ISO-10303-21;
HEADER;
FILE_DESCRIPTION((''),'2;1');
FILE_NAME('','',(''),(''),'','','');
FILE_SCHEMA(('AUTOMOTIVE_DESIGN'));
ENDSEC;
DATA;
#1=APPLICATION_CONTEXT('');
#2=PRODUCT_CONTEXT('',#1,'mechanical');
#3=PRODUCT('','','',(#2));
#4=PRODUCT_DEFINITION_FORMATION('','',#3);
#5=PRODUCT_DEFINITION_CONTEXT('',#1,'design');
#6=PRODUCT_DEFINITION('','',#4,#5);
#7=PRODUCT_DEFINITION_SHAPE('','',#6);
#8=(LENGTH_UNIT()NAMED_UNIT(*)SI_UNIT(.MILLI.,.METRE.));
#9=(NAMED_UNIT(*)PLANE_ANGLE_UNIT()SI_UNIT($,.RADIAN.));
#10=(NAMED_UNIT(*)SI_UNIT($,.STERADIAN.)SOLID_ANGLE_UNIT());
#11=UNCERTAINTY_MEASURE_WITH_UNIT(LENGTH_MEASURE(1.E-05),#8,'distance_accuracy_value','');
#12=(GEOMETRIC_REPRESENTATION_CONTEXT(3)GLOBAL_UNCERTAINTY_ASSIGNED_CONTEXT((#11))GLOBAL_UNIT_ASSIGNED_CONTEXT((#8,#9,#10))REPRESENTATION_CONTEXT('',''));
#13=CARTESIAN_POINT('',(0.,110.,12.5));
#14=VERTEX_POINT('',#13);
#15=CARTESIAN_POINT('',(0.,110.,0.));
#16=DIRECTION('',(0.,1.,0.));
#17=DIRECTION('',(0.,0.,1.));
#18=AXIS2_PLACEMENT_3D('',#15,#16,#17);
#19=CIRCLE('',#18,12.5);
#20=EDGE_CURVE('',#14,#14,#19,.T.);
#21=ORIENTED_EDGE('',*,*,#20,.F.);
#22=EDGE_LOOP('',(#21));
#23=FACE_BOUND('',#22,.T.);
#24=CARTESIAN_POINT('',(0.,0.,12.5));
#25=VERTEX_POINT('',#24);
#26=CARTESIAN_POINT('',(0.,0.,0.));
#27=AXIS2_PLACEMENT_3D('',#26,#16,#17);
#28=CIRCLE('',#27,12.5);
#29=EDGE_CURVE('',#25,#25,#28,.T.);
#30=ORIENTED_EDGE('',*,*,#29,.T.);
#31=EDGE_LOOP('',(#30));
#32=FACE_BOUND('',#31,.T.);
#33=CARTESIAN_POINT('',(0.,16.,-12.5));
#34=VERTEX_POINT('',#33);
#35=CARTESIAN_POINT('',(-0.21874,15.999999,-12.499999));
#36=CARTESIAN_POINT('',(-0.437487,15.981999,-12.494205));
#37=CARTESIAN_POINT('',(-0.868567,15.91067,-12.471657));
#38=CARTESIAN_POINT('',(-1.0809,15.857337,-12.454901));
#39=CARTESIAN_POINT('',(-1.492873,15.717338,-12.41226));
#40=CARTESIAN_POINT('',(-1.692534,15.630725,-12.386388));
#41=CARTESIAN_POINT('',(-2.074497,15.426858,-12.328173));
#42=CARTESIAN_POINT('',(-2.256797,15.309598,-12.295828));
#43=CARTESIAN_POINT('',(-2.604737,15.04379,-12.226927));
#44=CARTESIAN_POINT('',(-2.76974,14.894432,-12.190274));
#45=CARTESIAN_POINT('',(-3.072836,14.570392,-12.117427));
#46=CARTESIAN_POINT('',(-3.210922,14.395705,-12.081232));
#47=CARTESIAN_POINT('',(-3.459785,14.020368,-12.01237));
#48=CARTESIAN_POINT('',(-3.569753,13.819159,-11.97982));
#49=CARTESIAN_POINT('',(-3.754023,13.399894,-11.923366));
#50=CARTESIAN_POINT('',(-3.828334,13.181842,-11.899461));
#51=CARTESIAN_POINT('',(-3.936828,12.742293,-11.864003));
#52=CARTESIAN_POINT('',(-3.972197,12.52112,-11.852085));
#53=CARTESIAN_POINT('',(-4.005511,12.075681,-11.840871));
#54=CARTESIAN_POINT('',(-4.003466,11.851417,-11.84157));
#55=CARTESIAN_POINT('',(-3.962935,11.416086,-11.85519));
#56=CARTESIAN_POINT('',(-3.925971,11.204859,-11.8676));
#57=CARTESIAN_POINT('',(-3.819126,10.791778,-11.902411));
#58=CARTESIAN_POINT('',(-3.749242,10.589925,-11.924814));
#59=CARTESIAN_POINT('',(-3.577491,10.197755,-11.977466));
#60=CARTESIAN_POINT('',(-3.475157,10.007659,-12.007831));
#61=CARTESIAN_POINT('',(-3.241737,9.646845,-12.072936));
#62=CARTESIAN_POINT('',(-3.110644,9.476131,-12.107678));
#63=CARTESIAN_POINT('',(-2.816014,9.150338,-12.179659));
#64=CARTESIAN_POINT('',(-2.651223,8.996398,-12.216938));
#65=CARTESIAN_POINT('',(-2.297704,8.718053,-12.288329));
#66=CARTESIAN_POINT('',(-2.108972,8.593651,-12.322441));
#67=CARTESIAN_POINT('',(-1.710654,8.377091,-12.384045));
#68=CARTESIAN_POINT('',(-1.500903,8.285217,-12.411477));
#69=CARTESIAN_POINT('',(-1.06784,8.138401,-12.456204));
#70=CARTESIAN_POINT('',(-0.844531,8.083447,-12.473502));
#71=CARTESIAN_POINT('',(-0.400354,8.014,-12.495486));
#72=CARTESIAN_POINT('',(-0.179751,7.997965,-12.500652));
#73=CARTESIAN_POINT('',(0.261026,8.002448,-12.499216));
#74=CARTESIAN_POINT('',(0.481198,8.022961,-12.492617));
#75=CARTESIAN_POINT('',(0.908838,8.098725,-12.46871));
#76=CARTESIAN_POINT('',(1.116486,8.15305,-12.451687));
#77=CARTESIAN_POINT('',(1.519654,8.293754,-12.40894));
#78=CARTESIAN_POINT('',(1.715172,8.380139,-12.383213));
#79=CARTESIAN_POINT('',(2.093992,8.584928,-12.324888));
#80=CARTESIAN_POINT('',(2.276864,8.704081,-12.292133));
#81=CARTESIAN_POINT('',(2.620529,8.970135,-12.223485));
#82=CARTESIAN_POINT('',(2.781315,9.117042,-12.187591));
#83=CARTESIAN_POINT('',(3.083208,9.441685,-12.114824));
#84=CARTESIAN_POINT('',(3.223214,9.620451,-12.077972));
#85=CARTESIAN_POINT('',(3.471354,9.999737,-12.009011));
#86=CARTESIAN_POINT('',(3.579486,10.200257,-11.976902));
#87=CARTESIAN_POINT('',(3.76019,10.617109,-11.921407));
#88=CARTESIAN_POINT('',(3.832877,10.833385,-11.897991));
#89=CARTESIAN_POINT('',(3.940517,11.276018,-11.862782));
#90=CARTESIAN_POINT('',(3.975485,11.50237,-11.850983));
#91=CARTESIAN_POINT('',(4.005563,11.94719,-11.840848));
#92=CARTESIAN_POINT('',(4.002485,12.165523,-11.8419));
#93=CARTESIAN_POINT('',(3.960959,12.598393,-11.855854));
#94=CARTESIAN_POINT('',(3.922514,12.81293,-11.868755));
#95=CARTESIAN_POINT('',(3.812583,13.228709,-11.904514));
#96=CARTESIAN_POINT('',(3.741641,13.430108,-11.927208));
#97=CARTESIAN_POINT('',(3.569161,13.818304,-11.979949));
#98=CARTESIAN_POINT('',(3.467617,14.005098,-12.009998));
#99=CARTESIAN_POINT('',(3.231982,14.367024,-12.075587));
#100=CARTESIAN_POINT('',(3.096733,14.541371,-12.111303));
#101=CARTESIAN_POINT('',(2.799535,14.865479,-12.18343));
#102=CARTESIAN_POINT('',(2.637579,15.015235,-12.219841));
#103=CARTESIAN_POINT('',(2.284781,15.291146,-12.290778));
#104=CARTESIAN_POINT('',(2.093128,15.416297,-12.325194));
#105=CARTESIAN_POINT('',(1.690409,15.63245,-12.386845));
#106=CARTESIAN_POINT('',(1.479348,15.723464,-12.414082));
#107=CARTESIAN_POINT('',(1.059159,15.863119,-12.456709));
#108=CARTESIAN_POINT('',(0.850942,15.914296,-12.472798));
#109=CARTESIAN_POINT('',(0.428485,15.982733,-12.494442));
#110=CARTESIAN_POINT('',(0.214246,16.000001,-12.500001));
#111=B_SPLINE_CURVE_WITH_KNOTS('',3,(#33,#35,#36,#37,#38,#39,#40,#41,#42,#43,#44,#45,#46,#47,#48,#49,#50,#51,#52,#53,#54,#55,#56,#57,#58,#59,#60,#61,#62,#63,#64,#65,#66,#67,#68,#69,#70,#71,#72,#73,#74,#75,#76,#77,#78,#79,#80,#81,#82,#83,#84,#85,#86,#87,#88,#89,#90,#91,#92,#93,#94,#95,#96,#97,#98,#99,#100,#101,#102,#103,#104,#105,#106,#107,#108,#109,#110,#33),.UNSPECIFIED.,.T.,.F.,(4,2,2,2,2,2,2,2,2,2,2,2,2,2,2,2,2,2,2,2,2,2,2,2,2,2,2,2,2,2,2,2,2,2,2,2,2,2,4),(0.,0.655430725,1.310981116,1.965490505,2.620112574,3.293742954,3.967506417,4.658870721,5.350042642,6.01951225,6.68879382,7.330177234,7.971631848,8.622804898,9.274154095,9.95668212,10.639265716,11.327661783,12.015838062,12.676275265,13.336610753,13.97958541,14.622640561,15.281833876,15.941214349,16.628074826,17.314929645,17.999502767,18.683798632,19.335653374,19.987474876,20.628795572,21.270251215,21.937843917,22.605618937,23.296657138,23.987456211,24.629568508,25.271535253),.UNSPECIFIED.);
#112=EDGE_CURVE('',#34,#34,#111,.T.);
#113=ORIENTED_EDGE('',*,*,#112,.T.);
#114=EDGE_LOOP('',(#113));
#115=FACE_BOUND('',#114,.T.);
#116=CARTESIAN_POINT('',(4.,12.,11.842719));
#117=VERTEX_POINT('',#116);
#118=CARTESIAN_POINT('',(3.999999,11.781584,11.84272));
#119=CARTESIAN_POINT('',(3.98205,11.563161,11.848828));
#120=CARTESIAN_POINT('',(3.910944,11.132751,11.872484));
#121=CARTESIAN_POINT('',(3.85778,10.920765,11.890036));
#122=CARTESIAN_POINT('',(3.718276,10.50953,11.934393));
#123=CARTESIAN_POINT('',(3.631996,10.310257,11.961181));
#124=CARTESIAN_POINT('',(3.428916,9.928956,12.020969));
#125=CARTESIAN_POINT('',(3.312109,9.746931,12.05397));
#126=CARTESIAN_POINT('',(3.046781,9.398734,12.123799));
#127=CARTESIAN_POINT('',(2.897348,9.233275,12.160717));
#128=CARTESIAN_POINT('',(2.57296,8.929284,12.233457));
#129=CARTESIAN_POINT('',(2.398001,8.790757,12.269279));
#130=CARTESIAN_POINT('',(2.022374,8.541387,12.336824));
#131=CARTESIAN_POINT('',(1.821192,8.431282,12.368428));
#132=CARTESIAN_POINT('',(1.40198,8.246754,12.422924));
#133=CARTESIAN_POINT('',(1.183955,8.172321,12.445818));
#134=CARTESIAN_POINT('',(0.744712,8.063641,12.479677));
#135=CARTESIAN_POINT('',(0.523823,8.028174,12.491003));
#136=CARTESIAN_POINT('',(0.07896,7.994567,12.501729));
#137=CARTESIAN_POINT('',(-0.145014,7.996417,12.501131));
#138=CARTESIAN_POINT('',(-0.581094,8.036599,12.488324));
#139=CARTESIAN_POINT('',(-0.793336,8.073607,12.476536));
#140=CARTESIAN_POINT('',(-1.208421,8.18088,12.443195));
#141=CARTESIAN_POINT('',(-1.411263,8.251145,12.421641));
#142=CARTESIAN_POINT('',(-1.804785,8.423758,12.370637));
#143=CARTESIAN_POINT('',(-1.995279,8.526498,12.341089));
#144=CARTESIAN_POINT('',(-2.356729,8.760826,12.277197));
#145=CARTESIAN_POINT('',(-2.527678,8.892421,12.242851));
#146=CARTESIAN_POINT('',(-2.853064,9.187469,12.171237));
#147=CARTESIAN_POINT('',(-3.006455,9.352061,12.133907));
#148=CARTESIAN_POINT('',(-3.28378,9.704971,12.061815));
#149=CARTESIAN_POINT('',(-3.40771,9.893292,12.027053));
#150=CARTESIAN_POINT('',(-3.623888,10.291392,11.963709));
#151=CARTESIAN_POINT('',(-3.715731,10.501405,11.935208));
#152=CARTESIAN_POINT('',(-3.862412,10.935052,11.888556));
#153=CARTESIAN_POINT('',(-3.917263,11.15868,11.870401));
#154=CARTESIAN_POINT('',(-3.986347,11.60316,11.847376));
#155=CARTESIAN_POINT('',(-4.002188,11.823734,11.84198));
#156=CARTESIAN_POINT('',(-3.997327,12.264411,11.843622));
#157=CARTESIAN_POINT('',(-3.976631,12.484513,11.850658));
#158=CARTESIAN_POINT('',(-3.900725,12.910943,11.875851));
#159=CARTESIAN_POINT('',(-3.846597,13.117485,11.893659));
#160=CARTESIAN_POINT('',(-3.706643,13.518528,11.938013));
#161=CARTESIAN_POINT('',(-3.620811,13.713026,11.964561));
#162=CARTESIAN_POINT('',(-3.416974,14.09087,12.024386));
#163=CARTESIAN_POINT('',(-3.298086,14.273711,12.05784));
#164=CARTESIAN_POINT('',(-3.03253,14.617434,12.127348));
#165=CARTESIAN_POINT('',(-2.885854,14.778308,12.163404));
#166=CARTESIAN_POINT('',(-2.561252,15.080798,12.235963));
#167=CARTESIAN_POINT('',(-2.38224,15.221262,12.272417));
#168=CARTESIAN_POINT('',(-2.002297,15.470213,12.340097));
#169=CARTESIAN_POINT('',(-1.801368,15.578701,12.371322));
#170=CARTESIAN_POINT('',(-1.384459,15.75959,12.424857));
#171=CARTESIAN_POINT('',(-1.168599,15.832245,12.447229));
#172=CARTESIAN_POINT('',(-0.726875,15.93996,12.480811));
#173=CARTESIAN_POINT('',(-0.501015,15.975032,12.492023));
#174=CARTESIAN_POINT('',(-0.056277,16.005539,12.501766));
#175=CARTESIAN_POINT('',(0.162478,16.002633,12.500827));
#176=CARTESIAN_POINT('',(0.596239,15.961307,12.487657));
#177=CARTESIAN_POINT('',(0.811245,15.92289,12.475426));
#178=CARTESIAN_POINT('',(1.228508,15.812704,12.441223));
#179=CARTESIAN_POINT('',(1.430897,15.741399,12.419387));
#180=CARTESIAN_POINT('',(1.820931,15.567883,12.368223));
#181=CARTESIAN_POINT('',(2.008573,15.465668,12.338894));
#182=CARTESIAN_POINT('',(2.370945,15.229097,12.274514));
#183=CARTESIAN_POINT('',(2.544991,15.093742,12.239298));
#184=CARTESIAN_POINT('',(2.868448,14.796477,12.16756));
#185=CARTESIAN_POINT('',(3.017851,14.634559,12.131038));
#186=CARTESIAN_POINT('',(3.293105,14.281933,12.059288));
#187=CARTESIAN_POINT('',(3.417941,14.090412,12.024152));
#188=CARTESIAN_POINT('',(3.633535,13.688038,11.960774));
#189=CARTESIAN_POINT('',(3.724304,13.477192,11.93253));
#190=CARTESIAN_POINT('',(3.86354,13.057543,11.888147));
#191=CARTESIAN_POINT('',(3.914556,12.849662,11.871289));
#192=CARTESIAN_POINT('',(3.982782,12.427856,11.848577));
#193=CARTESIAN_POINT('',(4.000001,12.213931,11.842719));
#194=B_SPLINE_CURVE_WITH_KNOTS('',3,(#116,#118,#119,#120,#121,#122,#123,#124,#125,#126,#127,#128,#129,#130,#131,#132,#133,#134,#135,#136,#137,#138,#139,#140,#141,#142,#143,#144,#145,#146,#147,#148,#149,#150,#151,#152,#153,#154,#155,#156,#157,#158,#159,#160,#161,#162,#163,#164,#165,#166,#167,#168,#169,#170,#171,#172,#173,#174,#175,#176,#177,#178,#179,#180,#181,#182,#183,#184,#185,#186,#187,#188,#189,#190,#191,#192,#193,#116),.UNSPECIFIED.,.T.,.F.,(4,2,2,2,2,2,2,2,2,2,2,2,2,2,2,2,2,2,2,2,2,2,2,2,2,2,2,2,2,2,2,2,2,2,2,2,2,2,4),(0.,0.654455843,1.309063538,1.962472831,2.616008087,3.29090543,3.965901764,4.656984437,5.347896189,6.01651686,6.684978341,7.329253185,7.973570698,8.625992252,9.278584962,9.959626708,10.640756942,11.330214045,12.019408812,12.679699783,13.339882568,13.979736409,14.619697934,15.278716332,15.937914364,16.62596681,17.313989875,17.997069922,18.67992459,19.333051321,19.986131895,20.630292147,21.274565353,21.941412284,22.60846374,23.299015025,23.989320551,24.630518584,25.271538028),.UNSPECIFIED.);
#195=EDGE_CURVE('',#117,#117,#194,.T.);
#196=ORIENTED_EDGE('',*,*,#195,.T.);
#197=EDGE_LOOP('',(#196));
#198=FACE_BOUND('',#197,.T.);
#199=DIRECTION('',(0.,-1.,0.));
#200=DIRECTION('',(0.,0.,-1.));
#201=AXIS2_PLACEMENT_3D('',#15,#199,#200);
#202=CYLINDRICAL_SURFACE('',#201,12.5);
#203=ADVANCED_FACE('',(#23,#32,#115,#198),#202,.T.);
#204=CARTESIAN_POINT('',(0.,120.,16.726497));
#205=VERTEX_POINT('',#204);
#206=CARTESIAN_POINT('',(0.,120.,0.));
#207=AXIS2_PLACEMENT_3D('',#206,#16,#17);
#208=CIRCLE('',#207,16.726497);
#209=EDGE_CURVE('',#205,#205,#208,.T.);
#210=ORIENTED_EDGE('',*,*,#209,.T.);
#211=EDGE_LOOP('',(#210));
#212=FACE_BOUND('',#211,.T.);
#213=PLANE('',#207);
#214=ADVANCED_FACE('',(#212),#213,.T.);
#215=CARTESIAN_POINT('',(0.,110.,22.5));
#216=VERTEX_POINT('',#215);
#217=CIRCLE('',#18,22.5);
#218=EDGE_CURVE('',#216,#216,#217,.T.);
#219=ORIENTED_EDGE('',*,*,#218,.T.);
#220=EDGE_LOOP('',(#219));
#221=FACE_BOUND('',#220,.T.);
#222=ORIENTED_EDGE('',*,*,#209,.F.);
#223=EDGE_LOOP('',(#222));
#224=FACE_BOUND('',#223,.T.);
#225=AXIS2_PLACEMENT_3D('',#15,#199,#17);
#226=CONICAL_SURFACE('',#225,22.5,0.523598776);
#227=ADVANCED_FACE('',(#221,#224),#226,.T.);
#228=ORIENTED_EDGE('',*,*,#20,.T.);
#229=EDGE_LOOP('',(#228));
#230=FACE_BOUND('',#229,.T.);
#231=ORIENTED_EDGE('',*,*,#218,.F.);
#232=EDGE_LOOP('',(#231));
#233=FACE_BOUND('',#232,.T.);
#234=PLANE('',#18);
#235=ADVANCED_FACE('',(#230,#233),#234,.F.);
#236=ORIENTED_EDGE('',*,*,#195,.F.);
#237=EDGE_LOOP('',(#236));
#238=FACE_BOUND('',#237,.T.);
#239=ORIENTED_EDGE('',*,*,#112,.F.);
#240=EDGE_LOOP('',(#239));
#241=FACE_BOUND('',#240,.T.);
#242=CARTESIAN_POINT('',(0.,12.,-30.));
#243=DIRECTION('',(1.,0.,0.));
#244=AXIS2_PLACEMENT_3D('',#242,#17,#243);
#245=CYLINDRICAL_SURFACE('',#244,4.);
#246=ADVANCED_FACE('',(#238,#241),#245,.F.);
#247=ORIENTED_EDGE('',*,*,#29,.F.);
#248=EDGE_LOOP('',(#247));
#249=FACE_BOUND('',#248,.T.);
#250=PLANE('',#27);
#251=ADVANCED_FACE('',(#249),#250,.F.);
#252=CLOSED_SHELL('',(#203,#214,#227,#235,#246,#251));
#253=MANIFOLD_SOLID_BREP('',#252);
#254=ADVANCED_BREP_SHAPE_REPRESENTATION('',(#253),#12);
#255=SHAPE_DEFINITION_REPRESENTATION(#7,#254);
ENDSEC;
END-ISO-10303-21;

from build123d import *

# Parameters (mm, degrees)
SKETCH1_R           = 12.5
BOSS_EXTRUDE1_DEPTH = 110
SKETCH2_R           = 22.5
BOSS_EXTRUDE2_DEPTH = 10
BOSS_EXTRUDE2_TAPER = 30
SKETCH3_R           = 4
CUT_EXTRUDE1_DEPTH  = 30


with BuildPart() as part:
    # Sketch1 → Boss-Extrude1 (new body)
    with BuildSketch(Plane(origin=(0, 0, 0), x_dir=(1, 0, 0), z_dir=(0, 1, 0))):
        with Locations(Location((0, 0, 0), (0, 0, 270))):
            Circle(SKETCH1_R)
    extrude(amount=BOSS_EXTRUDE1_DEPTH)

    # Sketch2 → Boss-Extrude2 (add)
    with BuildSketch(Plane(origin=(0, 110, 0), x_dir=(1, 0, 0), z_dir=(0, 1, 0))):
        Circle(SKETCH2_R)
    extrude(amount=BOSS_EXTRUDE2_DEPTH, taper=BOSS_EXTRUDE2_TAPER)

    # Sketch3 → Cut-Extrude1 (cut, symmetric)
    with BuildSketch(Plane.XY):
        with Locations(Location((0, 12, 0), (0, 0, 89.99999999))):
            Circle(SKETCH3_R)
    extrude(amount=CUT_EXTRUDE1_DEPTH, both=True, mode=Mode.SUBTRACT)


solid = part.part
